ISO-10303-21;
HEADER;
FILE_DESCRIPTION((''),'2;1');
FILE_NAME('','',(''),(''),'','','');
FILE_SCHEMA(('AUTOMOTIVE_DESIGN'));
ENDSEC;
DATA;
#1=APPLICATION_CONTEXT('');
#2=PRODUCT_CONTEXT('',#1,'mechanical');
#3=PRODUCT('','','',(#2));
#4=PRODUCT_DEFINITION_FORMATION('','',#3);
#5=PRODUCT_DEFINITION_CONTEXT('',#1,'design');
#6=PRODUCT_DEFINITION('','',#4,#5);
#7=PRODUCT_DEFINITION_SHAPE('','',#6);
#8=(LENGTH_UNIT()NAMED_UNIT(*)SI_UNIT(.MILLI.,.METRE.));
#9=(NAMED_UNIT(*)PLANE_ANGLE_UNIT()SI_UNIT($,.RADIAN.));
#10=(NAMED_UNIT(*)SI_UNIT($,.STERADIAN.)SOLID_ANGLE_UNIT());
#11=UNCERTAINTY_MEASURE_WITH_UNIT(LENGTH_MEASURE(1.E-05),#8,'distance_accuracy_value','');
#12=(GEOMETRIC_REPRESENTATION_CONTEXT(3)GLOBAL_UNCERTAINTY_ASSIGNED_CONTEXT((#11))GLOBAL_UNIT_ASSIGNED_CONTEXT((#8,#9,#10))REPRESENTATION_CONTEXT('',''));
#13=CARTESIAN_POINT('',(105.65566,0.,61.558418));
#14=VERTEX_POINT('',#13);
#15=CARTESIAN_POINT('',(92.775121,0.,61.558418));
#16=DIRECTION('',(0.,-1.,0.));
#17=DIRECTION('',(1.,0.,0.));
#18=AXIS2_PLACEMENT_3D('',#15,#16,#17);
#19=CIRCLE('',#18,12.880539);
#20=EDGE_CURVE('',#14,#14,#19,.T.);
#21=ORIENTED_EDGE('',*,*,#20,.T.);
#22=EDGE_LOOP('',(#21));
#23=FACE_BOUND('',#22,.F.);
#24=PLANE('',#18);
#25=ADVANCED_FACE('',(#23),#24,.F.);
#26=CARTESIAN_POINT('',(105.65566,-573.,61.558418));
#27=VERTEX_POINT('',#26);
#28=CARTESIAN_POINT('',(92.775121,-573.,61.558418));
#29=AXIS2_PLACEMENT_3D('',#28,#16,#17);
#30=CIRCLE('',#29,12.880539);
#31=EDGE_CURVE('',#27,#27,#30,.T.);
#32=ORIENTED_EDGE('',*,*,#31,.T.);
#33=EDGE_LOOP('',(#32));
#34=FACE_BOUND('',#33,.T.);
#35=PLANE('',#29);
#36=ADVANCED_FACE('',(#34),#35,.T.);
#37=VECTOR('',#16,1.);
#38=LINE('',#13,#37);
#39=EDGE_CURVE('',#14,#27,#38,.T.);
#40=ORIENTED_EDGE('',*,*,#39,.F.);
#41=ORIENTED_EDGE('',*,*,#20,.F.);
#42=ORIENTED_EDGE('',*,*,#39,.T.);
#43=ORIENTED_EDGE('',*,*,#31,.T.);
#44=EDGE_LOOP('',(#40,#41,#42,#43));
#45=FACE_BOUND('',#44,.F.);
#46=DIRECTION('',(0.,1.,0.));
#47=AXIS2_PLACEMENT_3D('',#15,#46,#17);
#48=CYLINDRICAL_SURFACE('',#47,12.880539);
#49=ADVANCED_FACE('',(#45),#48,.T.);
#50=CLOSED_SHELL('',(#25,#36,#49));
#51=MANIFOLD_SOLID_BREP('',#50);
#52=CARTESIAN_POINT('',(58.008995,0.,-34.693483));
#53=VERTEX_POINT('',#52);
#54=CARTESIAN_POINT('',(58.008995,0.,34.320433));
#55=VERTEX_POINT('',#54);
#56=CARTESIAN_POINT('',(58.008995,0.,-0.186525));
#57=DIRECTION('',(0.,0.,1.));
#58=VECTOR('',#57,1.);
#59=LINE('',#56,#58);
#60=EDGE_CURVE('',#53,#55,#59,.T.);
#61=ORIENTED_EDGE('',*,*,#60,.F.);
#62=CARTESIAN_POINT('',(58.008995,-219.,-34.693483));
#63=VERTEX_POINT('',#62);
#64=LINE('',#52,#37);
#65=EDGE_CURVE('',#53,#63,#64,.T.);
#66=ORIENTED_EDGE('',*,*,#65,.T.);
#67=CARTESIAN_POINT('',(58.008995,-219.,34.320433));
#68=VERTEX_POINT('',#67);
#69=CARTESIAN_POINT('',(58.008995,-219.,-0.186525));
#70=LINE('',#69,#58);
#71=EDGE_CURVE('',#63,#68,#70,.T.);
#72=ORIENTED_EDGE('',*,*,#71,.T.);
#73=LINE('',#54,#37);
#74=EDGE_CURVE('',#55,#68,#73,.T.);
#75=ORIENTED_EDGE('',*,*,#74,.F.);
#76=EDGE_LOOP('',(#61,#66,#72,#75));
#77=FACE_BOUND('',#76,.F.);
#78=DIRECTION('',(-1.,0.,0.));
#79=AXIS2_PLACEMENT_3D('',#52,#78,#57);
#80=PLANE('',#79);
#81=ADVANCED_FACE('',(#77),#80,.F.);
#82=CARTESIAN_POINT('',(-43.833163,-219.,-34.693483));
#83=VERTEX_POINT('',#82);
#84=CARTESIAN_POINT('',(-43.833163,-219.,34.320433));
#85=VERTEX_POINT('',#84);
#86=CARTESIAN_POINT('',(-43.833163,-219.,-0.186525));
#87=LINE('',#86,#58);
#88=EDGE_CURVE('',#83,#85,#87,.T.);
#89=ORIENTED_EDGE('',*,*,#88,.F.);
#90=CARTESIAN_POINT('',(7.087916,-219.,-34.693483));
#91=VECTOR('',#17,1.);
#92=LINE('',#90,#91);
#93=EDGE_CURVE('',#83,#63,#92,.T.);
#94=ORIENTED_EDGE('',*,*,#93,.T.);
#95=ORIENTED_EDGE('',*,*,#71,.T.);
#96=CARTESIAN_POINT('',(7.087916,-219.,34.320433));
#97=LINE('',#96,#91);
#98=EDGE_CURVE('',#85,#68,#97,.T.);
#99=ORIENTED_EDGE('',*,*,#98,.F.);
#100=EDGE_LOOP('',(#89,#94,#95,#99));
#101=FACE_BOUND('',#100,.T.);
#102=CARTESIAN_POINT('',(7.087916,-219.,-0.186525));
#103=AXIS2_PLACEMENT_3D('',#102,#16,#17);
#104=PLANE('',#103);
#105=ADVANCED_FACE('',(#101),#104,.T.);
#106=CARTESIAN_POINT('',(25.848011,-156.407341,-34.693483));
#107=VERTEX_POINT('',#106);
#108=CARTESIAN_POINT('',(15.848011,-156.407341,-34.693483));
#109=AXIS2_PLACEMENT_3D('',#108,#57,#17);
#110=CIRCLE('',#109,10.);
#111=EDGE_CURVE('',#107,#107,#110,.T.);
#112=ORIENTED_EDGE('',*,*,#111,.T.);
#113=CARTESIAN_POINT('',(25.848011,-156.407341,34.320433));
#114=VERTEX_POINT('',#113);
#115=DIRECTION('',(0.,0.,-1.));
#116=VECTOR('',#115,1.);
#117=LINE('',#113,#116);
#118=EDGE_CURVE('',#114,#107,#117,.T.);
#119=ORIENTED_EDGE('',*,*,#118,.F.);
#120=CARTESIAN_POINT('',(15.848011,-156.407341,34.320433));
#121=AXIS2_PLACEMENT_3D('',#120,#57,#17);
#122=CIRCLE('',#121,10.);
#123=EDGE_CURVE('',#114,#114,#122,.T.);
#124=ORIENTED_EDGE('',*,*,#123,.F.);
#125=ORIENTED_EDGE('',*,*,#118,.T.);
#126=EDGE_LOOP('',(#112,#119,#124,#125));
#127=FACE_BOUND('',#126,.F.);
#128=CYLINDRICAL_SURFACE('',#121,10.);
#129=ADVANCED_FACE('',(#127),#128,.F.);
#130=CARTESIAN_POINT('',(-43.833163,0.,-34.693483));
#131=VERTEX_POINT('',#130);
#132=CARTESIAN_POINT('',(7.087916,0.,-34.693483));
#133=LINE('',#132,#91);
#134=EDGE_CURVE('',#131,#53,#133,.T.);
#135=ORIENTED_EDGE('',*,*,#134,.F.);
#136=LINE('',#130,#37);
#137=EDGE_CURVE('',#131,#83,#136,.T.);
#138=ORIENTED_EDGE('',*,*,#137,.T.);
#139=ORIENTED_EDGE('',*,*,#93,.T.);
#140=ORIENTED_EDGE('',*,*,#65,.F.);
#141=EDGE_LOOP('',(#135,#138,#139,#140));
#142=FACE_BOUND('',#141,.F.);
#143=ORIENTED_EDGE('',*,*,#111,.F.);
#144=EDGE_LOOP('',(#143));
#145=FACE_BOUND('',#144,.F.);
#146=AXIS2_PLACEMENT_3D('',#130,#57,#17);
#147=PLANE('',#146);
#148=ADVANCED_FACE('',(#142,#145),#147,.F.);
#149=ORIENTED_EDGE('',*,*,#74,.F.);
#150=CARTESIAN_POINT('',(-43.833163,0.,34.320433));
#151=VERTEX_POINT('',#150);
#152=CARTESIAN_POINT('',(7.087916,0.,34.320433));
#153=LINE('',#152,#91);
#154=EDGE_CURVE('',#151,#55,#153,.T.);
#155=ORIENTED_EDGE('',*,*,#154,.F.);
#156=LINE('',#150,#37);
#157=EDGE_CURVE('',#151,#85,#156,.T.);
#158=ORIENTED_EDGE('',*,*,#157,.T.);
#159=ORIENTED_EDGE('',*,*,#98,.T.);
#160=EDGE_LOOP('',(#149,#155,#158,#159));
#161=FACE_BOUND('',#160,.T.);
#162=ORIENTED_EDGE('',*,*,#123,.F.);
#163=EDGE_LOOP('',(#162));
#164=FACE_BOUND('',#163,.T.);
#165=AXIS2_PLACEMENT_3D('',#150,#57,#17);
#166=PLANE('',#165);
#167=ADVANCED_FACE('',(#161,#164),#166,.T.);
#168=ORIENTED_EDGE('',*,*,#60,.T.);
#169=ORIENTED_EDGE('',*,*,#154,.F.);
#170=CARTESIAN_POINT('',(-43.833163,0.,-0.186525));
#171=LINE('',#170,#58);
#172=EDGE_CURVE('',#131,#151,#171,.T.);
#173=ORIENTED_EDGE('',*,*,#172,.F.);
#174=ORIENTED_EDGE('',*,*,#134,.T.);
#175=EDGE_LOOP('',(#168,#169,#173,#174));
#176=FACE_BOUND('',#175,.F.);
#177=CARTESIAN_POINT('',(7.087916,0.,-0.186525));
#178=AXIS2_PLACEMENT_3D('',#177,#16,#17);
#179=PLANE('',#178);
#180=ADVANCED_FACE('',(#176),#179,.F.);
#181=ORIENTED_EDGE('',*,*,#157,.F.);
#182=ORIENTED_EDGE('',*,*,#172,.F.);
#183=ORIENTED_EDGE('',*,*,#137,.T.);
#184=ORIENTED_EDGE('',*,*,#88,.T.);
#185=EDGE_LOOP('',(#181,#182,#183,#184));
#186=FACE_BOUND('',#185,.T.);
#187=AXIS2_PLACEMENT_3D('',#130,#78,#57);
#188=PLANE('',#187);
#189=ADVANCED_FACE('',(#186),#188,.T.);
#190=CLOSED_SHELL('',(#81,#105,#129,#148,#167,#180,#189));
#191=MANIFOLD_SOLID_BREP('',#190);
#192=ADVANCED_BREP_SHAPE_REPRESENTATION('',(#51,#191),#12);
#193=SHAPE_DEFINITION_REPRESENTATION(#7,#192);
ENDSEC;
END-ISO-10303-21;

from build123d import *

# Parameters (mm, degrees)
F0_W     = 101.842158
F0_H     = 69.013916
F1_DEPTH = 219
F2_R     = 12.880539
F3_DEPTH = 573
F4_R     = 10
F5_DEPTH = 69.014916


with BuildPart() as f1:
    # F0 (on Front) → F1 (new body)
    with BuildSketch(Plane.XZ):
        with Locations((7.087916, -0.186525)):
            Rectangle(F0_W, F0_H)
    extrude(amount=F1_DEPTH)

    # F4 (on face) → F5 (cut, through all)
    with BuildSketch(Plane.XY.offset(34.320433)):
        with Locations((15.848011, -156.407341)):
            Circle(F4_R)
    extrude(amount=-F5_DEPTH, mode=Mode.SUBTRACT)


with BuildPart() as f3:
    # F2 (on Front) → F3 (new body)
    with BuildSketch(Plane.XZ):
        with Locations((92.775121, 61.558418)):
            Circle(F2_R)
    extrude(amount=F3_DEPTH)


solid = Compound([f1.part, f3.part])
